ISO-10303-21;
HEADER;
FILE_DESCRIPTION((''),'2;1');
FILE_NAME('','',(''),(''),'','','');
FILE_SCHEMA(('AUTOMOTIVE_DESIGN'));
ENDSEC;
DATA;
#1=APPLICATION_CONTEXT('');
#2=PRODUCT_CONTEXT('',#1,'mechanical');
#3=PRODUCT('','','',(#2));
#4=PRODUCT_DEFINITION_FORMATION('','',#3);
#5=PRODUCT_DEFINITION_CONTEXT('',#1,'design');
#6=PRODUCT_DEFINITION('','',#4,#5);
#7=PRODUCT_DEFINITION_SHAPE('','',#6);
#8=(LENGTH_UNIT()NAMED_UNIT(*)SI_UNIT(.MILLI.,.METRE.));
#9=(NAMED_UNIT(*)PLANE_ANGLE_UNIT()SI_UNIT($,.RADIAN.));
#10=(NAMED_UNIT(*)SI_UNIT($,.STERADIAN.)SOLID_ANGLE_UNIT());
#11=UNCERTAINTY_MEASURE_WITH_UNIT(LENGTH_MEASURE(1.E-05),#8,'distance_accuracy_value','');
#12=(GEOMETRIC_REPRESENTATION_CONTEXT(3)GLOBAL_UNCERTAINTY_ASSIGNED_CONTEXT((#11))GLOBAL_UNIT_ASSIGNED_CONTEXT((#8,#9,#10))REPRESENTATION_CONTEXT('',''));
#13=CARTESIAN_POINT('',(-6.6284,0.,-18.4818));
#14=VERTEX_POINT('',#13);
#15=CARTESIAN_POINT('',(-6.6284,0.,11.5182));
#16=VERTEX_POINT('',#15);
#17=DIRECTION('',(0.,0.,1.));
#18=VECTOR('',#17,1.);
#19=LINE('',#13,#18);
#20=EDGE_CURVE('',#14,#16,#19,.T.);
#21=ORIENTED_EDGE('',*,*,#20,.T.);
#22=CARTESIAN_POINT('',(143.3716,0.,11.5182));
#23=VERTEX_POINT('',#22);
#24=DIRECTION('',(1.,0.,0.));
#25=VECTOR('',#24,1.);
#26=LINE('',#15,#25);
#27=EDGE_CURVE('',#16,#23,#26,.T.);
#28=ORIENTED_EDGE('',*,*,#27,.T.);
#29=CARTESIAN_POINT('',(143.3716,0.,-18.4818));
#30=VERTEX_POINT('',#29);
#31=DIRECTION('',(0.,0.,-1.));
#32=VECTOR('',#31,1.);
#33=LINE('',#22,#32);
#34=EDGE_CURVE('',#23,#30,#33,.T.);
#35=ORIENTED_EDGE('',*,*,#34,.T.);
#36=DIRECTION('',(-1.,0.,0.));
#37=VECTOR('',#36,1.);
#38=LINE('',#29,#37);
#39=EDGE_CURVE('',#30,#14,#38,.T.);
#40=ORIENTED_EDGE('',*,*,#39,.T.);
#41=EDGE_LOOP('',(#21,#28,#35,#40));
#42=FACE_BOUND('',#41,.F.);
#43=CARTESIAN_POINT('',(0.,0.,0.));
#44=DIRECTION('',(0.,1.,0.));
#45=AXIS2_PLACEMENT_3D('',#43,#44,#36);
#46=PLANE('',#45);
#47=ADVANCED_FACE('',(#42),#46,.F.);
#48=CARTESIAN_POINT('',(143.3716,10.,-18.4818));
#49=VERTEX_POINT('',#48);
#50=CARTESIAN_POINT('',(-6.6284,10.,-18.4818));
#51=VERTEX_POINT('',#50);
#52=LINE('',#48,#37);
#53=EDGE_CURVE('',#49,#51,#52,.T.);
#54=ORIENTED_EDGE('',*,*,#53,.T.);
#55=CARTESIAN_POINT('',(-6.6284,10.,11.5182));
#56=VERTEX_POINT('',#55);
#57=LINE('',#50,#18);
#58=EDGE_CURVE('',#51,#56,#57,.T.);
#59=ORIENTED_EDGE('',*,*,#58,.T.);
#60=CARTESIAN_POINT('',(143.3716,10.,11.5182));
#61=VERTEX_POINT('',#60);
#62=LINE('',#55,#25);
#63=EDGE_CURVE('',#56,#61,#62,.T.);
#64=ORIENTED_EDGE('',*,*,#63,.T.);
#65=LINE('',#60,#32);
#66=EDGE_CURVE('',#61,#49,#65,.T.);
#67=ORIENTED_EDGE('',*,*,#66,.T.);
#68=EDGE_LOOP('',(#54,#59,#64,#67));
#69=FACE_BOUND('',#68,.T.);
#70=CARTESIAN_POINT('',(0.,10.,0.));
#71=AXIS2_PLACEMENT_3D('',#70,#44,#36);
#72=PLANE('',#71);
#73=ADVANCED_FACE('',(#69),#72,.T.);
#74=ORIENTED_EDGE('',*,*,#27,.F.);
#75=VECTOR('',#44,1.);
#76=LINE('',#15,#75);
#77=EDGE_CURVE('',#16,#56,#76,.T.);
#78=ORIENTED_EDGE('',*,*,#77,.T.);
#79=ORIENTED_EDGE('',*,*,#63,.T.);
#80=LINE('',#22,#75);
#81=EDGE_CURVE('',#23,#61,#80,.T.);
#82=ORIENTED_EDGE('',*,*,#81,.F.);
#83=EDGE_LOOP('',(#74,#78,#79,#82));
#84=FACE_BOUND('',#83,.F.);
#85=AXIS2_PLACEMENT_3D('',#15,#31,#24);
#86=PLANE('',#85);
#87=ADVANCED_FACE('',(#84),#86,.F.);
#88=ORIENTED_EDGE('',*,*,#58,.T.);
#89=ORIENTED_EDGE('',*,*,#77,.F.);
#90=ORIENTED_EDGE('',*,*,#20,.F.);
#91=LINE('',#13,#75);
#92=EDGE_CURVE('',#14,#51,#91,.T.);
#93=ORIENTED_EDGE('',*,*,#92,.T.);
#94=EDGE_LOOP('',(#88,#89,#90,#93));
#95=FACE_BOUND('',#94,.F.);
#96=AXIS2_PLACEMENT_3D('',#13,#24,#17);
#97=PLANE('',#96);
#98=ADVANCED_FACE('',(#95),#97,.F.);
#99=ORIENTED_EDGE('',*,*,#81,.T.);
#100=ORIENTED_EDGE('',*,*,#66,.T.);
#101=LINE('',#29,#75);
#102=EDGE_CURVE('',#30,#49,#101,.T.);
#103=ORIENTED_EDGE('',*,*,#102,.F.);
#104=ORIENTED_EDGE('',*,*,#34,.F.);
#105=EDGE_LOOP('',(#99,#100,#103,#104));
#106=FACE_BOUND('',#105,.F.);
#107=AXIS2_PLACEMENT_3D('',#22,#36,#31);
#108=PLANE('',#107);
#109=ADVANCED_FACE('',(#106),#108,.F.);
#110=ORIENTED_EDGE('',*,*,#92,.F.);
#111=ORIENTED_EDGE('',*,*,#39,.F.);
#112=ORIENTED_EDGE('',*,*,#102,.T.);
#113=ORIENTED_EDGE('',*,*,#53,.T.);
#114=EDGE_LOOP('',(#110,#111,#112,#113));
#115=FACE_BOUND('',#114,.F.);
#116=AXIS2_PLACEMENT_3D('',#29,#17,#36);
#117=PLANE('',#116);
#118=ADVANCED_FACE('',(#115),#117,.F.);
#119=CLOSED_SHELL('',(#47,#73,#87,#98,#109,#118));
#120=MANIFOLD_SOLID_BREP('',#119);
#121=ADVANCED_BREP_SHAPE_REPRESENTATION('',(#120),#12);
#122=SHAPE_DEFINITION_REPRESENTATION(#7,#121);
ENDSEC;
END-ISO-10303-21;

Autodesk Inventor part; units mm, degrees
ref_plane "YZ Plane" through (0, 0, 0) normal (1, 0, 0) x (0, 1, 0)
ref_plane "XZ Plane" through (0, 0, 0) normal (0, 1, 0) x (-1, 0, 0)
ref_plane "XY Plane" through (0, 0, 0) normal (0, 0, 1) x (1, 0, 0)
sketch "Sketch1" plane through (0, 0, 0) normal (0, 1, 0) x (-1, 0, 0)
  line L0 (6.6284, 11.5182) -> (-143.3716, 11.5182)
  line L1 (-143.3716, 11.5182) -> (-143.3716, -18.4818)
  line L2 (-143.3716, -18.4818) -> (6.6284, -18.4818)
  line L3 (6.6284, -18.4818) -> (6.6284, 11.5182)
  point P0 (0, 0)
  dimension "d0" = 150
  dimension "d1" = 30
extrude "Extrusion1" add sketch "Sketch1" along normal blind 10
properties part number "piston"
